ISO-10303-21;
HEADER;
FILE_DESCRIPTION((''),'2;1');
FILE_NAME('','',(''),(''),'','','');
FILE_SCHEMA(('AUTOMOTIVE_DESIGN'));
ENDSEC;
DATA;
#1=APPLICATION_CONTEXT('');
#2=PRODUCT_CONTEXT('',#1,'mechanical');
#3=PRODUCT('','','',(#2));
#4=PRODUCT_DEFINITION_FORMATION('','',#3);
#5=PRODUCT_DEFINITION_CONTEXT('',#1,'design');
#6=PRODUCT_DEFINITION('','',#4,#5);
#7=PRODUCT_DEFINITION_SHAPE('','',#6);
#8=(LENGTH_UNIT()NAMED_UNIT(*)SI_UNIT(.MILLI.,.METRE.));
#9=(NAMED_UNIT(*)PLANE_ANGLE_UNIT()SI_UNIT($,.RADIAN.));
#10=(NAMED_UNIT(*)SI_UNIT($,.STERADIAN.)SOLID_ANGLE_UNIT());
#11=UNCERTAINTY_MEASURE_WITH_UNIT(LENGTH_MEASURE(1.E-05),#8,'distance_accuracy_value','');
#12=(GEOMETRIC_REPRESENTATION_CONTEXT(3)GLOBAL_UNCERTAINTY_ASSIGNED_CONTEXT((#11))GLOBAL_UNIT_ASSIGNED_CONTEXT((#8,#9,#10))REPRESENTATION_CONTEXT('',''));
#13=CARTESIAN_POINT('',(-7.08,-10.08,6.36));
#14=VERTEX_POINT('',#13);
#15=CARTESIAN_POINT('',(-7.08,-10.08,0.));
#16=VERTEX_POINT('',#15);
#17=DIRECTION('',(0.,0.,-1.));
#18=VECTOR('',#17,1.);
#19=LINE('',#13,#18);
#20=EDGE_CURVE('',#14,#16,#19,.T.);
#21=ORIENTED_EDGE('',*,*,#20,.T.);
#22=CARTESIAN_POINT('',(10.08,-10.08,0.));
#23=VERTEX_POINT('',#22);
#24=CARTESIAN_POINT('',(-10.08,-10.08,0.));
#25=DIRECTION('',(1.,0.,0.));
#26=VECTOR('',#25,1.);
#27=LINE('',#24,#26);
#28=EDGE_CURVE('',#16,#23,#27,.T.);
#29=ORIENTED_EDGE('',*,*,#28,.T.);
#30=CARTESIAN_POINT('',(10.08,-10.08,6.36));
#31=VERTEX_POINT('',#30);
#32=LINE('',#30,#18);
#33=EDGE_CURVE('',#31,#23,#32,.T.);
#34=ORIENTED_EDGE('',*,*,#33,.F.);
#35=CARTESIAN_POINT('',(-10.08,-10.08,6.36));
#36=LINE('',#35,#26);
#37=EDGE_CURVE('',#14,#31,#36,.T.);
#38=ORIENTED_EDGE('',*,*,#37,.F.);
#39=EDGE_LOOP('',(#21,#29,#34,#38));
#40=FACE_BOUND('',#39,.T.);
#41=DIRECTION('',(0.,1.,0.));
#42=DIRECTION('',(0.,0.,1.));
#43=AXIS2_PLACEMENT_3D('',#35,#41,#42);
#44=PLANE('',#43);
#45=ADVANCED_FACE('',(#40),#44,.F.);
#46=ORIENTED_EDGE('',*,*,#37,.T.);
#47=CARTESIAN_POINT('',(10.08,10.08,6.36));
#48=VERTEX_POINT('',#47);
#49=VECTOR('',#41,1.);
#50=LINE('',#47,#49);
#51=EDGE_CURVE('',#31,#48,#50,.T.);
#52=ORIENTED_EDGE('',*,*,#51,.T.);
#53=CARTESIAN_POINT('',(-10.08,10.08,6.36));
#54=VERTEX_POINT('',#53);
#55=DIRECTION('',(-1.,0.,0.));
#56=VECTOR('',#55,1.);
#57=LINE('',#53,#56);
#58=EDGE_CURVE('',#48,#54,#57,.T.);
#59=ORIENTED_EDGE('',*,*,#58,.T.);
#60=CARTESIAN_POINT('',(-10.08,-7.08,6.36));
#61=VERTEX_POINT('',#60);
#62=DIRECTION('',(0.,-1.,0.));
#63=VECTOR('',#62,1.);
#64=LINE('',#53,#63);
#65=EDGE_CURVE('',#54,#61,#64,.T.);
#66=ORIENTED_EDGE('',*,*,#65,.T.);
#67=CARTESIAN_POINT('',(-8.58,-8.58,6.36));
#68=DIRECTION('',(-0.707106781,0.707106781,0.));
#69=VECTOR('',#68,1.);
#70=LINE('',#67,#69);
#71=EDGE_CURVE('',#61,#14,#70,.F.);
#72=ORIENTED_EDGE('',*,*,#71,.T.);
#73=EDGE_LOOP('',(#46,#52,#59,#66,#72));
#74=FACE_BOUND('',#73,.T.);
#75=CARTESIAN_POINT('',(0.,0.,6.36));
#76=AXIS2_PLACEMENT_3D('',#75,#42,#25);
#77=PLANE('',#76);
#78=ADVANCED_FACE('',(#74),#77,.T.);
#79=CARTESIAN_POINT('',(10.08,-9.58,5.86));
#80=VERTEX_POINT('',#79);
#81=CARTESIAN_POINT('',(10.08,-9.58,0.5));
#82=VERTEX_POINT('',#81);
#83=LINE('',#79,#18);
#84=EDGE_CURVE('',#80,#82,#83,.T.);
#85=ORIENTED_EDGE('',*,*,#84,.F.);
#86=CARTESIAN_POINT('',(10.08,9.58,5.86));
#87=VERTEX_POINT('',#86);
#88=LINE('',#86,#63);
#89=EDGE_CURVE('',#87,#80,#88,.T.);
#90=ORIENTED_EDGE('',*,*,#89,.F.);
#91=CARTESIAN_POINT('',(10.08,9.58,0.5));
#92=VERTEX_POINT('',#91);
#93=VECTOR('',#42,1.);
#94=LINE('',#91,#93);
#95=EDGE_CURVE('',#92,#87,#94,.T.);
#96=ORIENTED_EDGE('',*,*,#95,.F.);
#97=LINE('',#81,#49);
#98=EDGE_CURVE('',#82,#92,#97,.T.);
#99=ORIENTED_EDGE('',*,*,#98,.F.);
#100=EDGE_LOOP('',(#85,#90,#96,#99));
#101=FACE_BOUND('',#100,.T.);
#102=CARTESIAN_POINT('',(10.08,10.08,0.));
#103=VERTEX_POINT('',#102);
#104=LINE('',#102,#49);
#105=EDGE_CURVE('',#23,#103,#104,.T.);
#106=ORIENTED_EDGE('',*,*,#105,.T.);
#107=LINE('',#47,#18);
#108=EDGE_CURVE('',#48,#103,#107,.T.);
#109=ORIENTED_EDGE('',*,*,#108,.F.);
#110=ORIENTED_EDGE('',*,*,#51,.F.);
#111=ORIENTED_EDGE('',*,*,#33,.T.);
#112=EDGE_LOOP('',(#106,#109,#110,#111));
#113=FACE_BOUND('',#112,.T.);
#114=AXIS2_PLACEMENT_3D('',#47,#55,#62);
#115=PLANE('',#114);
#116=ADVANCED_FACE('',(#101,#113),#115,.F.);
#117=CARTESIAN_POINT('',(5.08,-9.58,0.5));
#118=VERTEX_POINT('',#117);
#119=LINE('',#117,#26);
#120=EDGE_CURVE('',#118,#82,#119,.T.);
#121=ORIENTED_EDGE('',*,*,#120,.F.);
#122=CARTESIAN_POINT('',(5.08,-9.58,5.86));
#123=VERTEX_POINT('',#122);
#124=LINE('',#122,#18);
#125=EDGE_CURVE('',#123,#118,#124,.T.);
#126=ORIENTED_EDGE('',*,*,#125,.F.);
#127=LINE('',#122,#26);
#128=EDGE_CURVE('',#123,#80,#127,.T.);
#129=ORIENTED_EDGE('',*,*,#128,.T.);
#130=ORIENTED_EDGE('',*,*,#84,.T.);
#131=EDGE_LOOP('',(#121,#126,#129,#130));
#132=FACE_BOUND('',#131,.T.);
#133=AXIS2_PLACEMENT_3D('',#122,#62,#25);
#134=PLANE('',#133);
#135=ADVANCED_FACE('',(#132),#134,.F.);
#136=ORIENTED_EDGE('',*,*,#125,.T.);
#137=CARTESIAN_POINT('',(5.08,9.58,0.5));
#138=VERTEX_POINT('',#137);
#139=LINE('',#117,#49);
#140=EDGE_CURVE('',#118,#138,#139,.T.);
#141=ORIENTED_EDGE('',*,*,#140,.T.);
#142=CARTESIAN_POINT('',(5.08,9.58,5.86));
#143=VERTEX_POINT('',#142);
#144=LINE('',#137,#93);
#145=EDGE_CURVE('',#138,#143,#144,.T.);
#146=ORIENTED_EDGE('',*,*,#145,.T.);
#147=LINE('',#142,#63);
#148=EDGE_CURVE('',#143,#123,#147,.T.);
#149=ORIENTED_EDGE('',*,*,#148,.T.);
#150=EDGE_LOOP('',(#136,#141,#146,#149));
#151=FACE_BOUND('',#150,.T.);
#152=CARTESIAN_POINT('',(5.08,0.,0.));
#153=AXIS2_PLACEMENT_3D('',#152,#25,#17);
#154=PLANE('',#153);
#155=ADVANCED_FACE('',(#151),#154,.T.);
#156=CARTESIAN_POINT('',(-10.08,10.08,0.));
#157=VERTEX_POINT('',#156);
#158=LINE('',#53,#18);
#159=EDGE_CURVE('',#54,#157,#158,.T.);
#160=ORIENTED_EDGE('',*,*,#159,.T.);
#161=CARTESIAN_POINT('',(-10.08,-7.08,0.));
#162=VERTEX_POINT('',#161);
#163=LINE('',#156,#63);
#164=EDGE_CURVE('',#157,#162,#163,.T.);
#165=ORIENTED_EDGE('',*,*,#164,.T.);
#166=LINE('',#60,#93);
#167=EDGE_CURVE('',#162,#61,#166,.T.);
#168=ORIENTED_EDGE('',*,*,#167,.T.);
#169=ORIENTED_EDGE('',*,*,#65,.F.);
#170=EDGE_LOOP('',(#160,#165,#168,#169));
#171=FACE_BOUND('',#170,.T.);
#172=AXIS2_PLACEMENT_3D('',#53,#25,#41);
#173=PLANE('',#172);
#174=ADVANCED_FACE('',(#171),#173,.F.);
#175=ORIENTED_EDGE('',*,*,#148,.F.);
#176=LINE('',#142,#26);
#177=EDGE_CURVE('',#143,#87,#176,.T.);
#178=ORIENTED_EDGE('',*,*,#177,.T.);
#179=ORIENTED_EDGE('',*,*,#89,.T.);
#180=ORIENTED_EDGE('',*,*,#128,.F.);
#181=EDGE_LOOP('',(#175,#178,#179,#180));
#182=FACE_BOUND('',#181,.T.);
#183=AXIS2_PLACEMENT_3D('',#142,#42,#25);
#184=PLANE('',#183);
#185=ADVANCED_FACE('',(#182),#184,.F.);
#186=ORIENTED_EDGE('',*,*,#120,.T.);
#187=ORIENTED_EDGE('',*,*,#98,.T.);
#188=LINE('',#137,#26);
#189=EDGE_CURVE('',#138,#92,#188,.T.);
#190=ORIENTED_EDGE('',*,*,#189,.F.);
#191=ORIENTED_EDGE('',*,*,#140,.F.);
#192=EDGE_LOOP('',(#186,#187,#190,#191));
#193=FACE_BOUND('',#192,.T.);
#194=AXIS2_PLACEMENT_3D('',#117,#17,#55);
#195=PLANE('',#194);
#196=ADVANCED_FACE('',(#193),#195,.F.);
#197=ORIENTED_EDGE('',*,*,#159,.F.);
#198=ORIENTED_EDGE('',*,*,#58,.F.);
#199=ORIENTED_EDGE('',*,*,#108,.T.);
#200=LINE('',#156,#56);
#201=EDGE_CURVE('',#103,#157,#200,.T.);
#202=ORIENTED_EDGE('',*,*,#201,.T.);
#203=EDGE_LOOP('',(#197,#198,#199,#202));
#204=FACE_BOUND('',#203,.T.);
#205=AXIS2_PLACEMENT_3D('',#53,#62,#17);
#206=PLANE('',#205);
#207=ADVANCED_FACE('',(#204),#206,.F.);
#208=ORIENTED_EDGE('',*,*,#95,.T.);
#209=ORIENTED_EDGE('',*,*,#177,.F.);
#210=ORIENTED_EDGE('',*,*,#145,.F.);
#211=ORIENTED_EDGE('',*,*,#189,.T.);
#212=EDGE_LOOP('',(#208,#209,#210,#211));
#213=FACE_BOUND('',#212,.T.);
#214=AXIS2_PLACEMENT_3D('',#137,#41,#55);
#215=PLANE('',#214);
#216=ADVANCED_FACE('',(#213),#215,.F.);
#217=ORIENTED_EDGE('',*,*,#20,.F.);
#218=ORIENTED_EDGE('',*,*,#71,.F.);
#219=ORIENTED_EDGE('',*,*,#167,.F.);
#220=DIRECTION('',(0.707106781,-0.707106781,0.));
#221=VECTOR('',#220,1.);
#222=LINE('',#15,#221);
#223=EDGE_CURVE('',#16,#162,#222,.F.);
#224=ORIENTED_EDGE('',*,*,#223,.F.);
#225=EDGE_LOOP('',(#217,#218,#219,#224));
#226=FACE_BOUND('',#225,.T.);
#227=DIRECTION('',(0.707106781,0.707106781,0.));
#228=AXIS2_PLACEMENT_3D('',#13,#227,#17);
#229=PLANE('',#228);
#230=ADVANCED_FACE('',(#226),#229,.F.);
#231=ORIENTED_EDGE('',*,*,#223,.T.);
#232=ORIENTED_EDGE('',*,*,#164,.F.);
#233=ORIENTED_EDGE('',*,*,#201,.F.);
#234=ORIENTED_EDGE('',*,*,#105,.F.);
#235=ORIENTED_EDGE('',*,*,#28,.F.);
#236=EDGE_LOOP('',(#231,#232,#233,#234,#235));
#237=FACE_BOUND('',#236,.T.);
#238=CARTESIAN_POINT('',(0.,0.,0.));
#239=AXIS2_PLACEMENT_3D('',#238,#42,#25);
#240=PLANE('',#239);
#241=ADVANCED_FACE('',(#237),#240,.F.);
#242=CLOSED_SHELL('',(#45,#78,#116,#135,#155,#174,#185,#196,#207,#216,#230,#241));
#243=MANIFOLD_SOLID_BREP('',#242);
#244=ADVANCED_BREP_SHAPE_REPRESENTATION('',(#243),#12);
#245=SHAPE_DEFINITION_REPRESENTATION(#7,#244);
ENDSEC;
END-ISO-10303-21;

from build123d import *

# Parameters (mm, degrees)
SKETCH_1_W          = 20.16
SKETCH_1_H          = 20.16
EXTRUDE_1_DEPTH     = 6.36
SKETCH_2_W          = 5.36
SKETCH_2_H          = 19.16
CUT_EXTRUDE_1_DEPTH = 5
CHAMFER_1_SIZE      = 3


with BuildPart() as part:
    # 草图1 → 凸台-拉伸1 (new body)
    with BuildSketch(Plane.XY):
        Rectangle(SKETCH_1_W, SKETCH_1_H)
    extrude(amount=EXTRUDE_1_DEPTH)

    # 草图2 → 切除-拉伸1 (cut)
    with BuildSketch(Plane(origin=(10.08, 0, 0), x_dir=(0, 0, -1), z_dir=(1, 0, 0))):
        with Locations((-3.18, 0)):
            Rectangle(SKETCH_2_W, SKETCH_2_H)
    extrude(amount=-CUT_EXTRUDE_1_DEPTH, mode=Mode.SUBTRACT)

    # 倒角1
    chamfer_1_edges = [part.edges().sort_by_distance(p)[0] for p in [
        (-10.08, -10.08, 3.18),
    ]]
    chamfer(chamfer_1_edges, length=CHAMFER_1_SIZE)


solid = part.part
